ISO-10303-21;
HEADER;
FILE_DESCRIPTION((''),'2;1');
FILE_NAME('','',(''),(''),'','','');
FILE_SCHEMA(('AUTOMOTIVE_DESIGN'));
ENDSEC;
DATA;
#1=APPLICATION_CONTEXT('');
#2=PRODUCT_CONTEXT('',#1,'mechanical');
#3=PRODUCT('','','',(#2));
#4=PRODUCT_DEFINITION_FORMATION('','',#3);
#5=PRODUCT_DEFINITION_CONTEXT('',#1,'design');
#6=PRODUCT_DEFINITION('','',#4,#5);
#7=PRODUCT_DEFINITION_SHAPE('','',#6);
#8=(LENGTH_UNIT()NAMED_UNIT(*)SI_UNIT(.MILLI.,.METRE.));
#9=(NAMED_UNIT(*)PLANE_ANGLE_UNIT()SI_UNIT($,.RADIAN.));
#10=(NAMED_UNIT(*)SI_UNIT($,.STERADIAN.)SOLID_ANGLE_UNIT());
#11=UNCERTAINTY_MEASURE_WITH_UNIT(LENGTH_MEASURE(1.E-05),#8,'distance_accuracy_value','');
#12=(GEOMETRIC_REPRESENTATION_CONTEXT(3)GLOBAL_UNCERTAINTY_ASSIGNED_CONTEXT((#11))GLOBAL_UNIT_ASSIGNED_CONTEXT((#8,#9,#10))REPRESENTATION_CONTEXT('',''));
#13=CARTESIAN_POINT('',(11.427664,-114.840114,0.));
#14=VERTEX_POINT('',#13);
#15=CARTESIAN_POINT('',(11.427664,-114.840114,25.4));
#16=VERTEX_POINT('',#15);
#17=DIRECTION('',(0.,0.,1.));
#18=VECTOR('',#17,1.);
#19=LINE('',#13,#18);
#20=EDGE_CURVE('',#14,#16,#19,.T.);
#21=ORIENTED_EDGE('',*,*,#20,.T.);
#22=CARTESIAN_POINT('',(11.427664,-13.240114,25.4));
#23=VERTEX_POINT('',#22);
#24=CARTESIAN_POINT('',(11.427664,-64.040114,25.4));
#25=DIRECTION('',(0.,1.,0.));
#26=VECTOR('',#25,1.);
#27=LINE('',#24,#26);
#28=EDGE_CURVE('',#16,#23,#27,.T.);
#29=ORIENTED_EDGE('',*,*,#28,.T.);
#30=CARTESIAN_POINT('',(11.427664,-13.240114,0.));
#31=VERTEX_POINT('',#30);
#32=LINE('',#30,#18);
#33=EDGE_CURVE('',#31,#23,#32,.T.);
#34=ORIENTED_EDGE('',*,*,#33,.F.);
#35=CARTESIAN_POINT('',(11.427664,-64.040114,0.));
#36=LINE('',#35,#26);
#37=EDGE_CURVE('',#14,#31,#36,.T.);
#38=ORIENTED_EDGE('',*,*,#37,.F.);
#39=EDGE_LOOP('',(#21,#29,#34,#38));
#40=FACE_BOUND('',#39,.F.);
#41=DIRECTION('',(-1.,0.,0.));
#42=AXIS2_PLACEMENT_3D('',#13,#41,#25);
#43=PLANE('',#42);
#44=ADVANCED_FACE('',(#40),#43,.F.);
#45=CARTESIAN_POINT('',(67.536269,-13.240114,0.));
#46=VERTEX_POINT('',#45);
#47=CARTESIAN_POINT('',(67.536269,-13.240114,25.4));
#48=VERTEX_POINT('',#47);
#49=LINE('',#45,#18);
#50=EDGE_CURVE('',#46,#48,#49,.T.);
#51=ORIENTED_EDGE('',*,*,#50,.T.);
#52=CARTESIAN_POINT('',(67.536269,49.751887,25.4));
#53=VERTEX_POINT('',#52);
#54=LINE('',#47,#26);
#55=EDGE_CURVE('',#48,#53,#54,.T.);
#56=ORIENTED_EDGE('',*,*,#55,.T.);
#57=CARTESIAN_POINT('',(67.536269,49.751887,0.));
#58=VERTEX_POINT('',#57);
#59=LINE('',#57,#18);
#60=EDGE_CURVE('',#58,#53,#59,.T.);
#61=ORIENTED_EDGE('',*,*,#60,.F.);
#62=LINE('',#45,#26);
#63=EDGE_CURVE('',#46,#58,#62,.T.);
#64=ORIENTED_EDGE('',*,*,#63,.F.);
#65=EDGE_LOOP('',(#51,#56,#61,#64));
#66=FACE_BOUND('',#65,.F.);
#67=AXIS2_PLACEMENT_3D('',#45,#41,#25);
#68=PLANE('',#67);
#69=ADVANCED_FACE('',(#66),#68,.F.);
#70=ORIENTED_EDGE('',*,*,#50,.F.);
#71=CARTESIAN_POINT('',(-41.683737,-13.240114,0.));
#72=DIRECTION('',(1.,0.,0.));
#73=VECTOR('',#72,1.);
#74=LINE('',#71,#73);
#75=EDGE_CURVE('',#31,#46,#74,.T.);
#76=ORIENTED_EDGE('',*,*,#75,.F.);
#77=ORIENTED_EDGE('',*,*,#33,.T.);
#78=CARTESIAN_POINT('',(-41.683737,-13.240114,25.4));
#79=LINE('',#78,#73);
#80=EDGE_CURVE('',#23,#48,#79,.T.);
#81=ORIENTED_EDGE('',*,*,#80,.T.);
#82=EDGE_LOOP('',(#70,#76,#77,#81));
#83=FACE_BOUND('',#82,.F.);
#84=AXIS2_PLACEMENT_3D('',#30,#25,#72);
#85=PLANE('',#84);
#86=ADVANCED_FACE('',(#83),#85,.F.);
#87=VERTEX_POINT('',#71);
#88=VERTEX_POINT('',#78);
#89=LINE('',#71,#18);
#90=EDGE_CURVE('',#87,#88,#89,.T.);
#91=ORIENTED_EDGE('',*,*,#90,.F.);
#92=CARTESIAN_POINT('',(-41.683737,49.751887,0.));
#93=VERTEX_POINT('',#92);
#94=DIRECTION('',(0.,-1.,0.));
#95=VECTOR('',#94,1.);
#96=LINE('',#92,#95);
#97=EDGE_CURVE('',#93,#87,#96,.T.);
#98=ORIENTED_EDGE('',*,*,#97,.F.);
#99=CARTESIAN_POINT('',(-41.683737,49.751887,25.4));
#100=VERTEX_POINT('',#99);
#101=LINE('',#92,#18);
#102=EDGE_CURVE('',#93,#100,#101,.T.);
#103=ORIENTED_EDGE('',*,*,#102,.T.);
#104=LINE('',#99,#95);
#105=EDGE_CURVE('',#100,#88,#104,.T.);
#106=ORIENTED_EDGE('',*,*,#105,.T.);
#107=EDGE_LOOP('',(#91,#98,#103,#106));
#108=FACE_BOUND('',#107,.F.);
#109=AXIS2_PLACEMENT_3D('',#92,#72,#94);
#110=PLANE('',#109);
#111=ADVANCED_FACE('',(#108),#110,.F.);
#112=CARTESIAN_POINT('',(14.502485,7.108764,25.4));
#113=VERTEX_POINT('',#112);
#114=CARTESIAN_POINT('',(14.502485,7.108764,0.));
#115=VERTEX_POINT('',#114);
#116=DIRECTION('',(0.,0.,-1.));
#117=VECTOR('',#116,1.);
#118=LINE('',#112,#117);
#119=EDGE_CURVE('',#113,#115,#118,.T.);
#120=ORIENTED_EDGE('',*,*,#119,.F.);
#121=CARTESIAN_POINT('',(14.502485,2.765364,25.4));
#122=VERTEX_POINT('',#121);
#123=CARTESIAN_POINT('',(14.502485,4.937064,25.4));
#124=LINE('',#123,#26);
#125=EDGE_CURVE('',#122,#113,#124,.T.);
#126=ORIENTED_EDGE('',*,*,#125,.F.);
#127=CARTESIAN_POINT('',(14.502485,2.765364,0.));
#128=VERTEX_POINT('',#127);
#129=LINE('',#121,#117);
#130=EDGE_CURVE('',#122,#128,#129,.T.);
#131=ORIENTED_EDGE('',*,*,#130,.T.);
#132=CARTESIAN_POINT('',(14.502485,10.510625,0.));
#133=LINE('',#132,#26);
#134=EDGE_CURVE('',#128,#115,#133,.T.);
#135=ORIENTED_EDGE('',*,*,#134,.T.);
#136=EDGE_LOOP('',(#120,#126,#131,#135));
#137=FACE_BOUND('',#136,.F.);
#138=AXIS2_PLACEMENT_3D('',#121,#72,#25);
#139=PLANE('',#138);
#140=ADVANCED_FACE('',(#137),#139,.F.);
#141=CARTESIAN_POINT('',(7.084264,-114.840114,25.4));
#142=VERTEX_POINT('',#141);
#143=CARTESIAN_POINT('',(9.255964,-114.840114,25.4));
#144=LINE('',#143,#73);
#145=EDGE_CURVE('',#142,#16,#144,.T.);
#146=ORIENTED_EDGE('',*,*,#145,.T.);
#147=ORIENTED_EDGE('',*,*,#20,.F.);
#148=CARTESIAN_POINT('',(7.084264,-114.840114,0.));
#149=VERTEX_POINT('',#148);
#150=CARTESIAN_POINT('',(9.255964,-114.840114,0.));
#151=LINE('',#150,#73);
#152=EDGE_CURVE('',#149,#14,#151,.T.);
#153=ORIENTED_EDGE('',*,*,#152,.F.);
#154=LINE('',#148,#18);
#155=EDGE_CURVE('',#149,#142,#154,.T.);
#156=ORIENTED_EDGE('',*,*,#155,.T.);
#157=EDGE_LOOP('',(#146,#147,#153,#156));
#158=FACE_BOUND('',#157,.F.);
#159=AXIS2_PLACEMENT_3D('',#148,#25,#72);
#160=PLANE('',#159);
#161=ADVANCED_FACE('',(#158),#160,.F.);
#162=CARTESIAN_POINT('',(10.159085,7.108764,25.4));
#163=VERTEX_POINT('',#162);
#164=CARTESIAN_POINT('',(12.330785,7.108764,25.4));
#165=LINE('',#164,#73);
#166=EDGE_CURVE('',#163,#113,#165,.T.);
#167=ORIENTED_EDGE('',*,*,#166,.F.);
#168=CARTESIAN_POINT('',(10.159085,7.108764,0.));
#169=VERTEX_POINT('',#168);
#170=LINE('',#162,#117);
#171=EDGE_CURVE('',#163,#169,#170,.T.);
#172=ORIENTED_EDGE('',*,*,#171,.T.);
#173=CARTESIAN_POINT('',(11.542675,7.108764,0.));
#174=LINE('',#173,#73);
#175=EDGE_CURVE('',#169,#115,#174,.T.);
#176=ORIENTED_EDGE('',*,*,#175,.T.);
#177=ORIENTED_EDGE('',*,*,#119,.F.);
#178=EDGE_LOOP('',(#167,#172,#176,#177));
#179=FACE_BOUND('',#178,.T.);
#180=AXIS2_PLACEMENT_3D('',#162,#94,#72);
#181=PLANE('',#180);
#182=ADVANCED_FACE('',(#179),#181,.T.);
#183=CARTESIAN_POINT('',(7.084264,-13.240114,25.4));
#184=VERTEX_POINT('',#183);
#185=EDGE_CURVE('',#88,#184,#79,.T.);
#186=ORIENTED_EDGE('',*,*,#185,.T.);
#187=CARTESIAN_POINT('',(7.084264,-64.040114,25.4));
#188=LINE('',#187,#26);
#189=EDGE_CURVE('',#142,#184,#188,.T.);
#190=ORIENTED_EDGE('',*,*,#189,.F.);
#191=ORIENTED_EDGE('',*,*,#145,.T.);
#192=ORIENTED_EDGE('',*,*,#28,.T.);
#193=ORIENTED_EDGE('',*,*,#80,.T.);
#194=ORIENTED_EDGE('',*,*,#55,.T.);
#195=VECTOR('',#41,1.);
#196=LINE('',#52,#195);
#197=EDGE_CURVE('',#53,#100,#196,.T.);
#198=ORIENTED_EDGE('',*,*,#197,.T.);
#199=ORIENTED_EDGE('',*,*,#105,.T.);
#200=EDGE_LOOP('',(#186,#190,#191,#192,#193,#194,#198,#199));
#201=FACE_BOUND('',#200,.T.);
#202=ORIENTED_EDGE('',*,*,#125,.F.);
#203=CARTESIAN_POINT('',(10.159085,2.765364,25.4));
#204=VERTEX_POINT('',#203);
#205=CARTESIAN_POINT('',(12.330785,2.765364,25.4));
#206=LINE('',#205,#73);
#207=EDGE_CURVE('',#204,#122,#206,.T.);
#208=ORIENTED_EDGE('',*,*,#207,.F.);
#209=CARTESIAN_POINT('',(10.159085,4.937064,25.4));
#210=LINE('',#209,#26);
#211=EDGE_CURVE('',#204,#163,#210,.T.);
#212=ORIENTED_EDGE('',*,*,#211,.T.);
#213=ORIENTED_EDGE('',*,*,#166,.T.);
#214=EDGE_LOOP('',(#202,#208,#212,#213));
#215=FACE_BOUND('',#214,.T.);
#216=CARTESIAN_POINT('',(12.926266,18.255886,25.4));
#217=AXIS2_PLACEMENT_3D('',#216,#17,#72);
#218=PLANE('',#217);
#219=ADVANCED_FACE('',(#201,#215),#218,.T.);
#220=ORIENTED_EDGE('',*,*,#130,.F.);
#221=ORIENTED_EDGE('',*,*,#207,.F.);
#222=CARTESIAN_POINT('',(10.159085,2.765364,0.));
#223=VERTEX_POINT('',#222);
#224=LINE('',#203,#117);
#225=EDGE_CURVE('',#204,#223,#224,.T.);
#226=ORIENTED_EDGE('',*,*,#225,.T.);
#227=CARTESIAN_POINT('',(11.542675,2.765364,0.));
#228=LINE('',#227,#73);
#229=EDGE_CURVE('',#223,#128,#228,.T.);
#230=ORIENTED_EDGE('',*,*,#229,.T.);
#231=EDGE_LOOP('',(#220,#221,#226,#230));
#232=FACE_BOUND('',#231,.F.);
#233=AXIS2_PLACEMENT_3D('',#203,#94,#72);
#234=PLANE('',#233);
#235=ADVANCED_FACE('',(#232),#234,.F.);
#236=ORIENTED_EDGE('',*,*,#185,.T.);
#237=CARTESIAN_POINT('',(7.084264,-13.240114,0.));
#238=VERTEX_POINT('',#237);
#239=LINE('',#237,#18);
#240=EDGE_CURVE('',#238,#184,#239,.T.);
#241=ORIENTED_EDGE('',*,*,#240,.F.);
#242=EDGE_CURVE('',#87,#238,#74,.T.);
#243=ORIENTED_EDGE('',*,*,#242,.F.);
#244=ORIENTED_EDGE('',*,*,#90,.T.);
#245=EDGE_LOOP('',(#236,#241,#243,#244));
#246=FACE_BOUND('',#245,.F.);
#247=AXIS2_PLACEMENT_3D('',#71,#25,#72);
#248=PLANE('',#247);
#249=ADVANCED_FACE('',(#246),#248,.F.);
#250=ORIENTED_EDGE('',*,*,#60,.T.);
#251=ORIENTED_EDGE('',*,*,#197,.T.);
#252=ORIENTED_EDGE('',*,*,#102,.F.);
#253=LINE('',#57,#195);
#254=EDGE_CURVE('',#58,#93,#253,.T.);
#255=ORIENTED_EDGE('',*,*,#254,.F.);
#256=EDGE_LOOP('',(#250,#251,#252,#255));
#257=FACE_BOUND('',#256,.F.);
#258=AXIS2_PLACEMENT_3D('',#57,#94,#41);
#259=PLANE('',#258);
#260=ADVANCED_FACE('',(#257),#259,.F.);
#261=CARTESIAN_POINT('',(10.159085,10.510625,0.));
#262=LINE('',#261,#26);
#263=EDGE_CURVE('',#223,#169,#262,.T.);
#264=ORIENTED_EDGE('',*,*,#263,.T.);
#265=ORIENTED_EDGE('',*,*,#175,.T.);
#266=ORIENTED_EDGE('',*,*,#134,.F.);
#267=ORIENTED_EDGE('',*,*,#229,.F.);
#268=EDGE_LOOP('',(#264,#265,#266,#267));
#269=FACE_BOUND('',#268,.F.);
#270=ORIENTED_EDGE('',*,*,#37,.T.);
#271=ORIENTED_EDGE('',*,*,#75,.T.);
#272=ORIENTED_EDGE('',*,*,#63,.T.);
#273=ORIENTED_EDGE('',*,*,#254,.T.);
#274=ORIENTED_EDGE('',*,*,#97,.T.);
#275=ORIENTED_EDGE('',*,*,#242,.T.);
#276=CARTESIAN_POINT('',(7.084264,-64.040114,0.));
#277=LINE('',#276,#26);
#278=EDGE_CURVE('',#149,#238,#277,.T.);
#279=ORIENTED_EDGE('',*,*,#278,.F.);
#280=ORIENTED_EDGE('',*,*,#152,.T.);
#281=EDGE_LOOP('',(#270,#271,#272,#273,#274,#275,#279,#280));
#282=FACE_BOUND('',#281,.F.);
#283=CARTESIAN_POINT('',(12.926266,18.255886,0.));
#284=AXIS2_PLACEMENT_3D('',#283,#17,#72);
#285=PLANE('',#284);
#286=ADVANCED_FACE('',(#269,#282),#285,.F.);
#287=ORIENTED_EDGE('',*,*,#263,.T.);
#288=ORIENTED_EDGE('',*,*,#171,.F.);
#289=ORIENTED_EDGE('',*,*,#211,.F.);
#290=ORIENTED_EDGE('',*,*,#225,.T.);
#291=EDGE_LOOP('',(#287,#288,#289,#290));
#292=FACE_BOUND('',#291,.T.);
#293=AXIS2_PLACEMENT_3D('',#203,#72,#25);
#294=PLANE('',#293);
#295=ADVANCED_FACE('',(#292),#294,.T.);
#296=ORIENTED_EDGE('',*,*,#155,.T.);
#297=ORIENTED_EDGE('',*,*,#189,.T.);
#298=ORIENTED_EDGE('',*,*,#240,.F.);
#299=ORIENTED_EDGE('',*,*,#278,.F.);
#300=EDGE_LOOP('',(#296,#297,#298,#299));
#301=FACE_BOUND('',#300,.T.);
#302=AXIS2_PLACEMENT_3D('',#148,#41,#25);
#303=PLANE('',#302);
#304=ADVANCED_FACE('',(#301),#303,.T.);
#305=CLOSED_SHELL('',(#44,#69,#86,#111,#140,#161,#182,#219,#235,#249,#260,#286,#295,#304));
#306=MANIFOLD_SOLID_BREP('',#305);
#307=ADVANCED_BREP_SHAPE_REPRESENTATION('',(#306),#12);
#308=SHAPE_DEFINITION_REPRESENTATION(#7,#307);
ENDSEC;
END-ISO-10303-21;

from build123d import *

# Parameters (mm, degrees)
F0_W     = 4.3434
F0_H     = 101.6
F1_DEPTH = 25.4
F2_W     = 4.3434
F2_H     = 4.3434
F3_DEPTH = 25.401


with BuildPart() as f1:
    # F0 (on Top) → F1 (new body)
    with BuildSketch(Plane.XY):
        Polygon((67.536269, 49.751887), (-41.683737, 49.751887), (-41.683737, -13.240114), (7.084264, -13.240114), (11.427664, -13.240114), (67.536269, -13.240114), align=None)
        with Locations((9.255964, -64.040114)):
            Rectangle(F0_W, F0_H)
    extrude(amount=F1_DEPTH)

    # F2 (on face) → F3 (cut, through all)
    with BuildSketch(Plane.XY.offset(25.4)):
        with Locations((12.330785, 4.937064)):
            Rectangle(F2_W, F2_H)
    extrude(amount=-F3_DEPTH, mode=Mode.SUBTRACT)


solid = f1.part
